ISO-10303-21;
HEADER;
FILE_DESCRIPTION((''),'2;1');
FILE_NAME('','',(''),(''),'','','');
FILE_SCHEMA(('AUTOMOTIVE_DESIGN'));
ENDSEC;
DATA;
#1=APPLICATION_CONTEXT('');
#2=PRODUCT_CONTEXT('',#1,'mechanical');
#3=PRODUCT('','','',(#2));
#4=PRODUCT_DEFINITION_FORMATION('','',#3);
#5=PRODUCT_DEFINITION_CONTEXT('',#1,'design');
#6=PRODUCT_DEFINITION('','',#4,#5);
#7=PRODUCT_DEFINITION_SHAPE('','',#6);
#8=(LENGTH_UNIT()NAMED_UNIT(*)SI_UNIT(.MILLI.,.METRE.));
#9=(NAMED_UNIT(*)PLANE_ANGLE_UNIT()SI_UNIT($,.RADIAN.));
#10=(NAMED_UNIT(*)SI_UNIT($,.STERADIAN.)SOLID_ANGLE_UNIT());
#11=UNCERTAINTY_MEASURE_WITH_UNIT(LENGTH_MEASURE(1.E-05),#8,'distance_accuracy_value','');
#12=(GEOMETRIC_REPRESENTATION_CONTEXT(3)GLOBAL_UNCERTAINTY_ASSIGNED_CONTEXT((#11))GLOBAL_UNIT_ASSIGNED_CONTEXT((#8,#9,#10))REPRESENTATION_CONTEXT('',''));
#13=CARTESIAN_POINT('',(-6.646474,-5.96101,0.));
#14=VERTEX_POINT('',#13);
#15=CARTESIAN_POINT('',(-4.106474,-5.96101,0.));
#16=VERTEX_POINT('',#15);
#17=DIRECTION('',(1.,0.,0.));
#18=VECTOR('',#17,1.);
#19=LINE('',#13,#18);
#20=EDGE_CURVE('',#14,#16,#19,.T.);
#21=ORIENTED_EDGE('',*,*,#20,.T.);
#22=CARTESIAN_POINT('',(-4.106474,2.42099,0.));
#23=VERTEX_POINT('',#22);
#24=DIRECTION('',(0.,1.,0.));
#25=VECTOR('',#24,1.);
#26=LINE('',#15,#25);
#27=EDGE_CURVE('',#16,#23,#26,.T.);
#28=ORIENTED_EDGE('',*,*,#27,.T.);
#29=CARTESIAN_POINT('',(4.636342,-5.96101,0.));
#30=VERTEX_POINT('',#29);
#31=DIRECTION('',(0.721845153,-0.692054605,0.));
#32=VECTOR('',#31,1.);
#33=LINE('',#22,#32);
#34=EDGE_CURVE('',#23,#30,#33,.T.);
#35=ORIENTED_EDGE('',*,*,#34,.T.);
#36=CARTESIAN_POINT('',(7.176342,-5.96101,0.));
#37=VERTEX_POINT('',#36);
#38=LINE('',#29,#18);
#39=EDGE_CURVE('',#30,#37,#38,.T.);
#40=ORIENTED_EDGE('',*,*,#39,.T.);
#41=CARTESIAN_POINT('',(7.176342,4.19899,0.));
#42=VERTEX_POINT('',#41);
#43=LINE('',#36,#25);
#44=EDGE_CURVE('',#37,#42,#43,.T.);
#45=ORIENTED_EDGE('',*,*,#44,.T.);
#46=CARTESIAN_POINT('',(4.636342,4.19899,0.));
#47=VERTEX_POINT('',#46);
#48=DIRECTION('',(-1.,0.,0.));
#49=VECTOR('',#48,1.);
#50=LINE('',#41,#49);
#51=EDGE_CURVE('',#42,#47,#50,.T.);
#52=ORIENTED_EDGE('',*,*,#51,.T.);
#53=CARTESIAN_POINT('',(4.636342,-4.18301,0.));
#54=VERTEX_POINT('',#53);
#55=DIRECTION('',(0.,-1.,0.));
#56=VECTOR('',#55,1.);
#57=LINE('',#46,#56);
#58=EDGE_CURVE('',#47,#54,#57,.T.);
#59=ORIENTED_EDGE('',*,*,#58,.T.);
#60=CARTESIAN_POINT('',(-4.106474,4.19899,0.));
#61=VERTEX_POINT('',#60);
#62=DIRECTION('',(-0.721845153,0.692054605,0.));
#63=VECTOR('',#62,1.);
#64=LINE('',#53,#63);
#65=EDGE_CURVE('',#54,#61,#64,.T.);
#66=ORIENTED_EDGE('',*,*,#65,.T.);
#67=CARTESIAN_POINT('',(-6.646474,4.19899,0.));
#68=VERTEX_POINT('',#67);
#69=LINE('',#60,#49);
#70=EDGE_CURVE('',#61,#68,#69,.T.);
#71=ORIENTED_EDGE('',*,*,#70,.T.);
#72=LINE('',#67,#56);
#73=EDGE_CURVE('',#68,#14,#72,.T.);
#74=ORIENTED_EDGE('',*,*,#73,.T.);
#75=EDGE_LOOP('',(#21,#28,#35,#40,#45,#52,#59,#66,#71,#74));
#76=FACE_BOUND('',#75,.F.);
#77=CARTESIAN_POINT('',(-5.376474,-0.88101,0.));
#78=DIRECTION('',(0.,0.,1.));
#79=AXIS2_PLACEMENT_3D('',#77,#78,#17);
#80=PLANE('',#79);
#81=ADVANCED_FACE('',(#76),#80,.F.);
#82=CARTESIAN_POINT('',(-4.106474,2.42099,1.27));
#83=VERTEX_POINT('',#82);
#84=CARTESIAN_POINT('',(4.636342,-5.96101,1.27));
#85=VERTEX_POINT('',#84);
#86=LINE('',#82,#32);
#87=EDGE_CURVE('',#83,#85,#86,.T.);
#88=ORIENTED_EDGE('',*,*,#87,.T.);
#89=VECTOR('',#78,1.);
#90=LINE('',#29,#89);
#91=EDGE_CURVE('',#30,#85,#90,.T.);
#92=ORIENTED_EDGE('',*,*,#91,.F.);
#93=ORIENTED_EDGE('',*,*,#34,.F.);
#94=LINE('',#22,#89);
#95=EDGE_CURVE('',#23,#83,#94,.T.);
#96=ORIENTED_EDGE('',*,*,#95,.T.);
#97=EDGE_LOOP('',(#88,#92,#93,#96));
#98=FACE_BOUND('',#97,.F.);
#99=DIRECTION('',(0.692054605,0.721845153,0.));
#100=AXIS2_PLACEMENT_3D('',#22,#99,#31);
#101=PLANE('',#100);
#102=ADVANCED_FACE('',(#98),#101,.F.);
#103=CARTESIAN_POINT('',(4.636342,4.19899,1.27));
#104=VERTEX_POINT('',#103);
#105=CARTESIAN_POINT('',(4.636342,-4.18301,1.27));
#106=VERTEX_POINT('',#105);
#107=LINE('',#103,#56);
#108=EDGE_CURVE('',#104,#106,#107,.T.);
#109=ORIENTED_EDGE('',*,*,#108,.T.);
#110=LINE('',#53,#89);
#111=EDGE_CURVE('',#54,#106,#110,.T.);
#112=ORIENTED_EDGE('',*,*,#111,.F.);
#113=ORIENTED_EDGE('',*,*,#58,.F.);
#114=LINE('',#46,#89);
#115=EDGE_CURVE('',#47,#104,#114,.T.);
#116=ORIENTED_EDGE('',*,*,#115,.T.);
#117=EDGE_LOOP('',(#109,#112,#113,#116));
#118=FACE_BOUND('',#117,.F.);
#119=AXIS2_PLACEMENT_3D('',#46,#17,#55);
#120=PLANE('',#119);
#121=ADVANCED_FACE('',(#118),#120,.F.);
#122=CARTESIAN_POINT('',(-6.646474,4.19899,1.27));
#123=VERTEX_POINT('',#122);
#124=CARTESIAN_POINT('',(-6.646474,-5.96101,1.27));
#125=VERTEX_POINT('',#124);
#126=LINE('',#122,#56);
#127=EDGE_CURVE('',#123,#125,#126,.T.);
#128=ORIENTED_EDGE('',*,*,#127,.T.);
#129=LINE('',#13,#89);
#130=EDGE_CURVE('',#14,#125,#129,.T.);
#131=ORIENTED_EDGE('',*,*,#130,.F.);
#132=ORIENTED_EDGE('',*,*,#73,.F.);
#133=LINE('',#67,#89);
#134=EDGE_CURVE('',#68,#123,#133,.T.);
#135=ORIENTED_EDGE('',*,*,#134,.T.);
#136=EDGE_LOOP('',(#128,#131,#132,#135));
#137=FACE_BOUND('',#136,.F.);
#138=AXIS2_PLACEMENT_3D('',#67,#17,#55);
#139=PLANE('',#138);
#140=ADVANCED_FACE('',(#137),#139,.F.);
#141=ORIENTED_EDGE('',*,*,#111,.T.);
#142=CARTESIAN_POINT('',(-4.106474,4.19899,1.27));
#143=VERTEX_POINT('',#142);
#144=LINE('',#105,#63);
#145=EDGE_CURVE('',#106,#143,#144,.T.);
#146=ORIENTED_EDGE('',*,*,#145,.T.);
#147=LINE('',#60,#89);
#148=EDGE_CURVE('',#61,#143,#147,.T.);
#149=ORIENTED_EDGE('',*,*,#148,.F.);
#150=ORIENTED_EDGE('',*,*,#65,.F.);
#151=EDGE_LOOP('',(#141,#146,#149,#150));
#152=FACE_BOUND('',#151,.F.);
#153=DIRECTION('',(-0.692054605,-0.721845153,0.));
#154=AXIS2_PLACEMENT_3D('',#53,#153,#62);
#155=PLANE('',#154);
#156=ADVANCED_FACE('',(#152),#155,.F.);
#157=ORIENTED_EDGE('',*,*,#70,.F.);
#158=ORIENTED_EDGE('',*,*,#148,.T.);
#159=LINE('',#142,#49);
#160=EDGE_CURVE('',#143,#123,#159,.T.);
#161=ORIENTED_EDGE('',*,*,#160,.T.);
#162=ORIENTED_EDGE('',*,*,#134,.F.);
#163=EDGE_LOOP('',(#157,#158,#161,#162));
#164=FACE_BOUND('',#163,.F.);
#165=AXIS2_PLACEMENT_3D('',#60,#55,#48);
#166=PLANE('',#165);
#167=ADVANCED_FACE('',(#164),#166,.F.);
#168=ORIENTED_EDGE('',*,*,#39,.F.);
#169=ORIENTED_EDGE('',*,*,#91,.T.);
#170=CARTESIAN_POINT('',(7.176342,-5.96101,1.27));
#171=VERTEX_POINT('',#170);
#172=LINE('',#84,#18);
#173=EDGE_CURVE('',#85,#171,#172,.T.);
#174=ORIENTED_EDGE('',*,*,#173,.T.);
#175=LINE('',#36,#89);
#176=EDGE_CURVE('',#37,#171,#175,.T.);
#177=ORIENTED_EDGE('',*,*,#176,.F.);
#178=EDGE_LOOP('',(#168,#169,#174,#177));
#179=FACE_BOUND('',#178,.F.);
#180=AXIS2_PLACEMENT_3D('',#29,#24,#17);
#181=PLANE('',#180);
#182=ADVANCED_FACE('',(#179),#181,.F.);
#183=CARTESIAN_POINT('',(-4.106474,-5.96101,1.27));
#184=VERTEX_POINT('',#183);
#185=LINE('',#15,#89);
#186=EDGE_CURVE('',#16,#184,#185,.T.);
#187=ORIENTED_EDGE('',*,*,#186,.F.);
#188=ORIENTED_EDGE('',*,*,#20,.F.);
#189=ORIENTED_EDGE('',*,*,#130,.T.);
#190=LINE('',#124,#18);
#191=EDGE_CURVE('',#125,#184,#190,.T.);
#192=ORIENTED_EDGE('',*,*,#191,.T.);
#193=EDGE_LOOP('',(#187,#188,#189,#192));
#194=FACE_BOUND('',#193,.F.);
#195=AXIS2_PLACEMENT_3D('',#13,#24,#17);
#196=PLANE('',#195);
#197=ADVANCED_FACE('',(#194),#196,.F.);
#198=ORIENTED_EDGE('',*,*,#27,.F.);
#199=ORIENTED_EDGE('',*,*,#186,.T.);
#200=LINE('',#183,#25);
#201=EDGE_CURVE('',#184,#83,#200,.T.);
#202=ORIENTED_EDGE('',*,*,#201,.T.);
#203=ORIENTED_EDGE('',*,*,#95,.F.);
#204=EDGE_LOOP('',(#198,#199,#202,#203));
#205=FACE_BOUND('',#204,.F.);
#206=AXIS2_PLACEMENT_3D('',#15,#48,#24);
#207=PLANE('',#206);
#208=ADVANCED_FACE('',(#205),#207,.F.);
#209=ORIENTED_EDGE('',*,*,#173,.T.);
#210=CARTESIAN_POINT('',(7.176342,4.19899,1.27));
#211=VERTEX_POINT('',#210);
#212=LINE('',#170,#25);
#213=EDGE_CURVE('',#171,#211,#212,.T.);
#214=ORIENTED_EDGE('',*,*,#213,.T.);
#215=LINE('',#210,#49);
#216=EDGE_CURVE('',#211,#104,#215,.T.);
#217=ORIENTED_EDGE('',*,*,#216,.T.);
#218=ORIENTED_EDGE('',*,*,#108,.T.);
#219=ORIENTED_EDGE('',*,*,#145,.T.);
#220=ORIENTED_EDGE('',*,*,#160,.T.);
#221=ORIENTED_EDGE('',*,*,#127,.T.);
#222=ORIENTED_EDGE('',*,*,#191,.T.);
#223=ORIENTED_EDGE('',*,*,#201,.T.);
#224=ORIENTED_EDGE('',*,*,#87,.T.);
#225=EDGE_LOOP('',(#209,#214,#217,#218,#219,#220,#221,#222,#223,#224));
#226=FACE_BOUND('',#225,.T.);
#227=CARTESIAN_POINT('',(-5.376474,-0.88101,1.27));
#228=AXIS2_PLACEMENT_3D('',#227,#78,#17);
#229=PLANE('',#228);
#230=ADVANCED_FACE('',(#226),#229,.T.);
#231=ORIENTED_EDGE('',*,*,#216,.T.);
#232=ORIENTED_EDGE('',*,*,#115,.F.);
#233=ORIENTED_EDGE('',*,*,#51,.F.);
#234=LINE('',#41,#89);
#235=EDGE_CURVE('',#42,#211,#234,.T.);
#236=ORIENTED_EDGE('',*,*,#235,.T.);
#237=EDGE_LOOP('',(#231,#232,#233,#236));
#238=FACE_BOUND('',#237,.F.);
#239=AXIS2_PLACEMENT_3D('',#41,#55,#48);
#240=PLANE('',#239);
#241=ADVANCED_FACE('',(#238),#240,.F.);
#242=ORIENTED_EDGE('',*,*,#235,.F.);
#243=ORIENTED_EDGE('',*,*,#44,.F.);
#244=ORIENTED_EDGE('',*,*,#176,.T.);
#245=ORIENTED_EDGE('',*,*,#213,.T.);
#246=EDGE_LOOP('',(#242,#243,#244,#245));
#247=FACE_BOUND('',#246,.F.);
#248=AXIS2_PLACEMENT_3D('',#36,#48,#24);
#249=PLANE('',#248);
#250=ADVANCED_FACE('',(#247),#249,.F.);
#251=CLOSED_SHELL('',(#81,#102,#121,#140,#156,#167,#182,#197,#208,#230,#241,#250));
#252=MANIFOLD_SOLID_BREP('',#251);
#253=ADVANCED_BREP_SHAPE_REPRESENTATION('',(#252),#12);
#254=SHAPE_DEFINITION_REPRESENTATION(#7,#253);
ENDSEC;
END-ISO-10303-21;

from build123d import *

# Parameters (mm, degrees)
F1_DEPTH = 1.27


with BuildPart() as f1:
    # F0 (on Top) → F1 (new body)
    with BuildSketch(Plane.XY):
        Polygon((-4.106474, 4.19899), (-6.646474, 4.19899), (-6.646474, -5.96101), (-4.106474, -5.96101), (-4.106474, 2.42099), align=None)
        Polygon((4.636342, -4.18301), (-4.106474, 4.19899), (-4.106474, 2.42099), (4.636342, -5.96101), align=None)
        Polygon((4.636342, 4.19899), (4.636342, -4.18301), (4.636342, -5.96101), (7.176342, -5.96101), (7.176342, 4.19899), align=None)
    extrude(amount=F1_DEPTH)


solid = f1.part
